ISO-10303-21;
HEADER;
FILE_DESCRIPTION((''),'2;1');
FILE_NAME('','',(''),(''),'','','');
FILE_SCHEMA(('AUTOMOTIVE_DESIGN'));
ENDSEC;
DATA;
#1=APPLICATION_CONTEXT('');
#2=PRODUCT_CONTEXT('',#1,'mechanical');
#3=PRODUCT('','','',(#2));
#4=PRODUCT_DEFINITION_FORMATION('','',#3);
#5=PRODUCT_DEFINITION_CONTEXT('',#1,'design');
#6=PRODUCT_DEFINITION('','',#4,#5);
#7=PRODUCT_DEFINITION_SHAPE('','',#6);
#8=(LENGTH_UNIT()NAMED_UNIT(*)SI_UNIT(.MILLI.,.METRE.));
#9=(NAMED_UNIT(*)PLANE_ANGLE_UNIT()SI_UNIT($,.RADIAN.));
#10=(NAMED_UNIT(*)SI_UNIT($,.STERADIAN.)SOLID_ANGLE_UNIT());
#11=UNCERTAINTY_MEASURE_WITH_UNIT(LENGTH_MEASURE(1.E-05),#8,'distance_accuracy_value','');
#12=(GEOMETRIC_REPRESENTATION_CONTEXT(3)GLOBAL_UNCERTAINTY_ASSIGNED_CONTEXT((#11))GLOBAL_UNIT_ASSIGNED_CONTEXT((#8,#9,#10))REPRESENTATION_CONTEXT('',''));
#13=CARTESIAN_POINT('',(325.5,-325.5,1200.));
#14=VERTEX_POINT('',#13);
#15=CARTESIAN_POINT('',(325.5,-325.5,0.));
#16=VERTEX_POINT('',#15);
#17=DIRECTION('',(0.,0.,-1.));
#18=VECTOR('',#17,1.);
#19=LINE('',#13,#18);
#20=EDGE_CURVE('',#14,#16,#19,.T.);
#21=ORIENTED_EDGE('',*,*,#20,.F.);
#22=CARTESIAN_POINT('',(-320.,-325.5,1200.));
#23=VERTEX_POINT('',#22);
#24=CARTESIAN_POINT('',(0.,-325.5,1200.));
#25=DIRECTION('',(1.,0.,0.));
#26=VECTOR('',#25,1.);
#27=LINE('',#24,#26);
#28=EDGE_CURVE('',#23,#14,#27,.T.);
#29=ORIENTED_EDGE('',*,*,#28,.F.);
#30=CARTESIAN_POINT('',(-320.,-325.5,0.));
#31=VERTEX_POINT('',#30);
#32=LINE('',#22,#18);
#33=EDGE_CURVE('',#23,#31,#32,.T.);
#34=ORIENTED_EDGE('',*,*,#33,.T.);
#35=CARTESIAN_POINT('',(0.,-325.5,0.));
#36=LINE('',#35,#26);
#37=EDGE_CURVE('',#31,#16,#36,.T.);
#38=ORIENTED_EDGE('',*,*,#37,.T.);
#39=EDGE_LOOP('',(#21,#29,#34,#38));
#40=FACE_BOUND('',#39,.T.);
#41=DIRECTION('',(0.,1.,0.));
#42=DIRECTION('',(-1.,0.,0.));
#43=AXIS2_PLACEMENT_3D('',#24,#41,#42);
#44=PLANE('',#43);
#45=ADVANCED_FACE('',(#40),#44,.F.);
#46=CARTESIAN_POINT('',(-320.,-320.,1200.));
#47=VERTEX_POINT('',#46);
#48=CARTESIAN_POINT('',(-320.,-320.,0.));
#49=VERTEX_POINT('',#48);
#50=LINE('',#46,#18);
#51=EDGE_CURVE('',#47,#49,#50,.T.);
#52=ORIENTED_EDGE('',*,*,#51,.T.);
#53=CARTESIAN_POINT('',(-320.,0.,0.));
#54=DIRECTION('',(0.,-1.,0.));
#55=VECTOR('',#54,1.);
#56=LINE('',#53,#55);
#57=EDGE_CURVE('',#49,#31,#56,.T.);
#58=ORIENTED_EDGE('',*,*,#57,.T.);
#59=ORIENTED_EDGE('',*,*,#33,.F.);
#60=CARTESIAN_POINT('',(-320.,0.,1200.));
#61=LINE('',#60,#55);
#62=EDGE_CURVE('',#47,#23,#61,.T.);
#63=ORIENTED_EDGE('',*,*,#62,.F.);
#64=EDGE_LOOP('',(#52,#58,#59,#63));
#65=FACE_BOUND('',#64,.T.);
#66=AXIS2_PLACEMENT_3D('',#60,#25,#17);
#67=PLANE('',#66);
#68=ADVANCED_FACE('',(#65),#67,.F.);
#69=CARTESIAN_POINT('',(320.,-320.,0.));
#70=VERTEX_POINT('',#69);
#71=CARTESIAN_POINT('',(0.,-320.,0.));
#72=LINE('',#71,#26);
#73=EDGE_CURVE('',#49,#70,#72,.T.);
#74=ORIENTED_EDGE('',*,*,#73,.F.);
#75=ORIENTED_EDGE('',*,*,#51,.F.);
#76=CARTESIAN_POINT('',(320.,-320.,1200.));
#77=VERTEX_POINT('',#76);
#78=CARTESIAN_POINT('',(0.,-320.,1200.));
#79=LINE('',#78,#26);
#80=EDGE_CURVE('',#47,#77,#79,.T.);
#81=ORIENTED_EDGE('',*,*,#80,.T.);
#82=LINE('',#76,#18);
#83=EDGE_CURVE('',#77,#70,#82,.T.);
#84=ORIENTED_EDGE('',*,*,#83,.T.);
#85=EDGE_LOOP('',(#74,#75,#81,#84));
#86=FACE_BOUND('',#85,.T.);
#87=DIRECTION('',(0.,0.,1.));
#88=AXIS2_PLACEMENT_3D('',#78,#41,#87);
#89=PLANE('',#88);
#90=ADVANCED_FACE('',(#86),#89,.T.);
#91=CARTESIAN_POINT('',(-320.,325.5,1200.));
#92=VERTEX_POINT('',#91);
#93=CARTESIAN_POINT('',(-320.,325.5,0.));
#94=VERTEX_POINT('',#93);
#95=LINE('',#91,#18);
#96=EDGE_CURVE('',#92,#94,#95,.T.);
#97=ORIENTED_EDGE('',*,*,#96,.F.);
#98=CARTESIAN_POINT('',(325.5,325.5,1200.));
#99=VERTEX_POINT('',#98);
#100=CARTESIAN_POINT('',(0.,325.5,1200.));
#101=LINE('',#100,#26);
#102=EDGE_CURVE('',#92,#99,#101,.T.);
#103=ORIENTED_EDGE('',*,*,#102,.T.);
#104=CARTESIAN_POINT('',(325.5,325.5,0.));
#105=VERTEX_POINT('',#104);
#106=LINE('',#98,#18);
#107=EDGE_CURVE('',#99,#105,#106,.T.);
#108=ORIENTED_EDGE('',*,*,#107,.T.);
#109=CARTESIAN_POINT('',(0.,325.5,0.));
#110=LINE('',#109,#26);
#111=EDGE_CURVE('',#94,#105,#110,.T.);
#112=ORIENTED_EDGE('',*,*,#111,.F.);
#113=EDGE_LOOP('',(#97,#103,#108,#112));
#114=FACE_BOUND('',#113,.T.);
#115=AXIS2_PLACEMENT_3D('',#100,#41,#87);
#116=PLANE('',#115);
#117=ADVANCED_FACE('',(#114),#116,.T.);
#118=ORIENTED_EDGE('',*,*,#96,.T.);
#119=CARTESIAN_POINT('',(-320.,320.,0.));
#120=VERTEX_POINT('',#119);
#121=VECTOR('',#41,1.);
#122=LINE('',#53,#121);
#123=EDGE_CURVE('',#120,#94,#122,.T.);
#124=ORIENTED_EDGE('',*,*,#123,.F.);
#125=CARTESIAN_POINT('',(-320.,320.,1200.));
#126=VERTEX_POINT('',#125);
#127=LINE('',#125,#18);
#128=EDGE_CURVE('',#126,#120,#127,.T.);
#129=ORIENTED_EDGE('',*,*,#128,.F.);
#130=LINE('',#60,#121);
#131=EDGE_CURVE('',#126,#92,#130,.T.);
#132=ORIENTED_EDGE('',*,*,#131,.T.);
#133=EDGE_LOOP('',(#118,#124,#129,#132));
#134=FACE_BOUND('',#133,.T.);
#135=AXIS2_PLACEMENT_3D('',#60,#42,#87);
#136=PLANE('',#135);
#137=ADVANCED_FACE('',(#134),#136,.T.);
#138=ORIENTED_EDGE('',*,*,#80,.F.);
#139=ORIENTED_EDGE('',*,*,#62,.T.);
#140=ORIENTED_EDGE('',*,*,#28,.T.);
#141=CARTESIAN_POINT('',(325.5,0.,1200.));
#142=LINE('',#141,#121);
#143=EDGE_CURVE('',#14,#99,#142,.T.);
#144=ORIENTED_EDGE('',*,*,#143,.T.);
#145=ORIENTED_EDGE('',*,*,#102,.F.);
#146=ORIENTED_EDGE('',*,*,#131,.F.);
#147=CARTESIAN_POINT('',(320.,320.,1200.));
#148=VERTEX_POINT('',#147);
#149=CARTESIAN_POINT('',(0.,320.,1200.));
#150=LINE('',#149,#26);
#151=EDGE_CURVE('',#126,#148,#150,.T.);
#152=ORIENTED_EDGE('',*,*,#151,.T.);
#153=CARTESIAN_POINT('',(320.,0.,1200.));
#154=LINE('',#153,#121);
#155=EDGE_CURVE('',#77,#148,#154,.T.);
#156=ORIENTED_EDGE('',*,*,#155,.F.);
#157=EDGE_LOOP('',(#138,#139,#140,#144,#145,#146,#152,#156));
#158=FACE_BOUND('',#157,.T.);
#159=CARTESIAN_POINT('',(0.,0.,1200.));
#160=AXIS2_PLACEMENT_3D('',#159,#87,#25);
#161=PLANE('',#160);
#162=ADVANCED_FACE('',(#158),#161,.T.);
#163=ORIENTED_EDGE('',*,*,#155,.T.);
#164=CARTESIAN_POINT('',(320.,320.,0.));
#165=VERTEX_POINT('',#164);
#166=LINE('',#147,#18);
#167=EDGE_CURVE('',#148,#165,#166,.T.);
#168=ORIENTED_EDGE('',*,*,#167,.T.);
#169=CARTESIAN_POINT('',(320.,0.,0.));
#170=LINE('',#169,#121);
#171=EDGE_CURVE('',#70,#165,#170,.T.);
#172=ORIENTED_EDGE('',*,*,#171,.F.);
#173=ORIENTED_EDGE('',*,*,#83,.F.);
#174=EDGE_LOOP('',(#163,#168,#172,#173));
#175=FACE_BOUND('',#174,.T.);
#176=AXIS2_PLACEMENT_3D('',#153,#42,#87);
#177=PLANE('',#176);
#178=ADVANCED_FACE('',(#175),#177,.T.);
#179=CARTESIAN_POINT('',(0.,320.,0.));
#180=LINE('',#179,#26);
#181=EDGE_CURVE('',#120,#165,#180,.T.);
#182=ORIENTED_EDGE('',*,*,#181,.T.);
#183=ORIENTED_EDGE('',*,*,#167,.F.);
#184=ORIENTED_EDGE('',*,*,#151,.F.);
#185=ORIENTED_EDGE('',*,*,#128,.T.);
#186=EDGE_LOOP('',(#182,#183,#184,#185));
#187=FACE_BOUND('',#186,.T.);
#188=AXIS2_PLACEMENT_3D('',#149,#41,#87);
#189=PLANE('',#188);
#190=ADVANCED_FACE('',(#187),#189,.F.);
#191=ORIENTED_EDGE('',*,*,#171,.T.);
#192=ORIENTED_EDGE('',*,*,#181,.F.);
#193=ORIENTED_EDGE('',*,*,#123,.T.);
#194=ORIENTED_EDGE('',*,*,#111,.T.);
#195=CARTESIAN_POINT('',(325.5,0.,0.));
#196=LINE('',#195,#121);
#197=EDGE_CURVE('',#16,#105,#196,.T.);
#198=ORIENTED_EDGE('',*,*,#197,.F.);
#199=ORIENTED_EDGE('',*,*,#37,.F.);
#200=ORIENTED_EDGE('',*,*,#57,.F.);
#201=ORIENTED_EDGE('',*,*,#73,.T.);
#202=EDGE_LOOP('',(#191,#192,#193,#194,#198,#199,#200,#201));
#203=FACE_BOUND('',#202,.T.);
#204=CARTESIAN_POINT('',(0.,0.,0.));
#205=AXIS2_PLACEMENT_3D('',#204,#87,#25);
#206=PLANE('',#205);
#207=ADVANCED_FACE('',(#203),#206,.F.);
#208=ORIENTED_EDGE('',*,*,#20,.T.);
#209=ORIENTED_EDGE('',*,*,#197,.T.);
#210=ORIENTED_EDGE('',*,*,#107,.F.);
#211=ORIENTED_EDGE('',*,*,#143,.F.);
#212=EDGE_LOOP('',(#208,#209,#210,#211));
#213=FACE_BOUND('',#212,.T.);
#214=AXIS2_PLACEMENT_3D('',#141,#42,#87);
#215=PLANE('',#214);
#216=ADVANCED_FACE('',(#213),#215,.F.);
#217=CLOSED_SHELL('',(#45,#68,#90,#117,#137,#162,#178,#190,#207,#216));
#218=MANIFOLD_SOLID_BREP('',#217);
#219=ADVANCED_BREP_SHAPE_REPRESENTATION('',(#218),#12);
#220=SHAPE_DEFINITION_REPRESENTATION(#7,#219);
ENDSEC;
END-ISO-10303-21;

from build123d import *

# Parameters (mm, degrees)
BOSS_EXTRUDE1_DEPTH = 1200


with BuildPart() as part:
    # Sketch1 → Boss-Extrude1 (new body)
    with BuildSketch(Plane.XY):
        Polygon((-320, 320), (-320, 325.5), (325.5, 325.5), (325.5, -325.5), (-320, -325.5), (-320, -320), (320, -320), (320, 320), align=None)
    extrude(amount=BOSS_EXTRUDE1_DEPTH)


solid = part.part
